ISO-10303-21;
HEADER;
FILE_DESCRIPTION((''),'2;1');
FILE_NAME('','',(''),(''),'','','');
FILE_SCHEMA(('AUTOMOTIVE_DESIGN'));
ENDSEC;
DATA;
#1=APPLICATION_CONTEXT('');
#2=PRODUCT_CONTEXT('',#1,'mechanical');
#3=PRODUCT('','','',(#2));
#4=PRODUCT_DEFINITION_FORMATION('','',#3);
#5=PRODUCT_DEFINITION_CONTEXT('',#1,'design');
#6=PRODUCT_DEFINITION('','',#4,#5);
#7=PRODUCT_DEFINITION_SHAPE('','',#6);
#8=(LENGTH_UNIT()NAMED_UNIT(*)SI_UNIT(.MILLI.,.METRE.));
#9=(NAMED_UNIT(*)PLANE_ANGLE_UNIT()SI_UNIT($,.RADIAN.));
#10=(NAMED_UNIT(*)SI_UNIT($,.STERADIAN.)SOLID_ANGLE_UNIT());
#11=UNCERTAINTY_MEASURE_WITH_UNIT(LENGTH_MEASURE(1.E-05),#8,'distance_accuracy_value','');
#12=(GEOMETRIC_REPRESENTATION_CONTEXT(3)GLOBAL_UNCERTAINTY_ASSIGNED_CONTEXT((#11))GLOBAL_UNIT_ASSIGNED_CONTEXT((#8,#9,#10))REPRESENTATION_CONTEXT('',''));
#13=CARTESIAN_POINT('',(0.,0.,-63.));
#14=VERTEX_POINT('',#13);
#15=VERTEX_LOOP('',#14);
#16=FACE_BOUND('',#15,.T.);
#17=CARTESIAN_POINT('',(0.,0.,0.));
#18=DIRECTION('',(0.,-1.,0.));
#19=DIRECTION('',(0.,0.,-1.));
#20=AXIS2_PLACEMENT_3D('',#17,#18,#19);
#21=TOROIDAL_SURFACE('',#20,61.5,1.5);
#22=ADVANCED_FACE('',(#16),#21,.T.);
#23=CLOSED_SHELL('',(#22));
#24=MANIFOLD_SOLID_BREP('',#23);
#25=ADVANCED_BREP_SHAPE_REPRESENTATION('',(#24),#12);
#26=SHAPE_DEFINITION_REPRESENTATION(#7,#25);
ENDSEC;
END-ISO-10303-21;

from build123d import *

# Parameters (mm, degrees)
SKETCH1_R = 1.5


with BuildPart() as part:
    # Sketch1 → Revolve1 (revolve)
    with BuildSketch(Plane.XY, mode=Mode.PRIVATE) as revolve1_sk:
        with Locations((-61.5, 0)):
            Circle(SKETCH1_R)
    revolve(revolve1_sk.sketch.rotate(Axis((0, 0, 0), (0, 1, 0)), 270), axis=Axis((0, 0, 0), (0, 1, 0)))


solid = part.part
